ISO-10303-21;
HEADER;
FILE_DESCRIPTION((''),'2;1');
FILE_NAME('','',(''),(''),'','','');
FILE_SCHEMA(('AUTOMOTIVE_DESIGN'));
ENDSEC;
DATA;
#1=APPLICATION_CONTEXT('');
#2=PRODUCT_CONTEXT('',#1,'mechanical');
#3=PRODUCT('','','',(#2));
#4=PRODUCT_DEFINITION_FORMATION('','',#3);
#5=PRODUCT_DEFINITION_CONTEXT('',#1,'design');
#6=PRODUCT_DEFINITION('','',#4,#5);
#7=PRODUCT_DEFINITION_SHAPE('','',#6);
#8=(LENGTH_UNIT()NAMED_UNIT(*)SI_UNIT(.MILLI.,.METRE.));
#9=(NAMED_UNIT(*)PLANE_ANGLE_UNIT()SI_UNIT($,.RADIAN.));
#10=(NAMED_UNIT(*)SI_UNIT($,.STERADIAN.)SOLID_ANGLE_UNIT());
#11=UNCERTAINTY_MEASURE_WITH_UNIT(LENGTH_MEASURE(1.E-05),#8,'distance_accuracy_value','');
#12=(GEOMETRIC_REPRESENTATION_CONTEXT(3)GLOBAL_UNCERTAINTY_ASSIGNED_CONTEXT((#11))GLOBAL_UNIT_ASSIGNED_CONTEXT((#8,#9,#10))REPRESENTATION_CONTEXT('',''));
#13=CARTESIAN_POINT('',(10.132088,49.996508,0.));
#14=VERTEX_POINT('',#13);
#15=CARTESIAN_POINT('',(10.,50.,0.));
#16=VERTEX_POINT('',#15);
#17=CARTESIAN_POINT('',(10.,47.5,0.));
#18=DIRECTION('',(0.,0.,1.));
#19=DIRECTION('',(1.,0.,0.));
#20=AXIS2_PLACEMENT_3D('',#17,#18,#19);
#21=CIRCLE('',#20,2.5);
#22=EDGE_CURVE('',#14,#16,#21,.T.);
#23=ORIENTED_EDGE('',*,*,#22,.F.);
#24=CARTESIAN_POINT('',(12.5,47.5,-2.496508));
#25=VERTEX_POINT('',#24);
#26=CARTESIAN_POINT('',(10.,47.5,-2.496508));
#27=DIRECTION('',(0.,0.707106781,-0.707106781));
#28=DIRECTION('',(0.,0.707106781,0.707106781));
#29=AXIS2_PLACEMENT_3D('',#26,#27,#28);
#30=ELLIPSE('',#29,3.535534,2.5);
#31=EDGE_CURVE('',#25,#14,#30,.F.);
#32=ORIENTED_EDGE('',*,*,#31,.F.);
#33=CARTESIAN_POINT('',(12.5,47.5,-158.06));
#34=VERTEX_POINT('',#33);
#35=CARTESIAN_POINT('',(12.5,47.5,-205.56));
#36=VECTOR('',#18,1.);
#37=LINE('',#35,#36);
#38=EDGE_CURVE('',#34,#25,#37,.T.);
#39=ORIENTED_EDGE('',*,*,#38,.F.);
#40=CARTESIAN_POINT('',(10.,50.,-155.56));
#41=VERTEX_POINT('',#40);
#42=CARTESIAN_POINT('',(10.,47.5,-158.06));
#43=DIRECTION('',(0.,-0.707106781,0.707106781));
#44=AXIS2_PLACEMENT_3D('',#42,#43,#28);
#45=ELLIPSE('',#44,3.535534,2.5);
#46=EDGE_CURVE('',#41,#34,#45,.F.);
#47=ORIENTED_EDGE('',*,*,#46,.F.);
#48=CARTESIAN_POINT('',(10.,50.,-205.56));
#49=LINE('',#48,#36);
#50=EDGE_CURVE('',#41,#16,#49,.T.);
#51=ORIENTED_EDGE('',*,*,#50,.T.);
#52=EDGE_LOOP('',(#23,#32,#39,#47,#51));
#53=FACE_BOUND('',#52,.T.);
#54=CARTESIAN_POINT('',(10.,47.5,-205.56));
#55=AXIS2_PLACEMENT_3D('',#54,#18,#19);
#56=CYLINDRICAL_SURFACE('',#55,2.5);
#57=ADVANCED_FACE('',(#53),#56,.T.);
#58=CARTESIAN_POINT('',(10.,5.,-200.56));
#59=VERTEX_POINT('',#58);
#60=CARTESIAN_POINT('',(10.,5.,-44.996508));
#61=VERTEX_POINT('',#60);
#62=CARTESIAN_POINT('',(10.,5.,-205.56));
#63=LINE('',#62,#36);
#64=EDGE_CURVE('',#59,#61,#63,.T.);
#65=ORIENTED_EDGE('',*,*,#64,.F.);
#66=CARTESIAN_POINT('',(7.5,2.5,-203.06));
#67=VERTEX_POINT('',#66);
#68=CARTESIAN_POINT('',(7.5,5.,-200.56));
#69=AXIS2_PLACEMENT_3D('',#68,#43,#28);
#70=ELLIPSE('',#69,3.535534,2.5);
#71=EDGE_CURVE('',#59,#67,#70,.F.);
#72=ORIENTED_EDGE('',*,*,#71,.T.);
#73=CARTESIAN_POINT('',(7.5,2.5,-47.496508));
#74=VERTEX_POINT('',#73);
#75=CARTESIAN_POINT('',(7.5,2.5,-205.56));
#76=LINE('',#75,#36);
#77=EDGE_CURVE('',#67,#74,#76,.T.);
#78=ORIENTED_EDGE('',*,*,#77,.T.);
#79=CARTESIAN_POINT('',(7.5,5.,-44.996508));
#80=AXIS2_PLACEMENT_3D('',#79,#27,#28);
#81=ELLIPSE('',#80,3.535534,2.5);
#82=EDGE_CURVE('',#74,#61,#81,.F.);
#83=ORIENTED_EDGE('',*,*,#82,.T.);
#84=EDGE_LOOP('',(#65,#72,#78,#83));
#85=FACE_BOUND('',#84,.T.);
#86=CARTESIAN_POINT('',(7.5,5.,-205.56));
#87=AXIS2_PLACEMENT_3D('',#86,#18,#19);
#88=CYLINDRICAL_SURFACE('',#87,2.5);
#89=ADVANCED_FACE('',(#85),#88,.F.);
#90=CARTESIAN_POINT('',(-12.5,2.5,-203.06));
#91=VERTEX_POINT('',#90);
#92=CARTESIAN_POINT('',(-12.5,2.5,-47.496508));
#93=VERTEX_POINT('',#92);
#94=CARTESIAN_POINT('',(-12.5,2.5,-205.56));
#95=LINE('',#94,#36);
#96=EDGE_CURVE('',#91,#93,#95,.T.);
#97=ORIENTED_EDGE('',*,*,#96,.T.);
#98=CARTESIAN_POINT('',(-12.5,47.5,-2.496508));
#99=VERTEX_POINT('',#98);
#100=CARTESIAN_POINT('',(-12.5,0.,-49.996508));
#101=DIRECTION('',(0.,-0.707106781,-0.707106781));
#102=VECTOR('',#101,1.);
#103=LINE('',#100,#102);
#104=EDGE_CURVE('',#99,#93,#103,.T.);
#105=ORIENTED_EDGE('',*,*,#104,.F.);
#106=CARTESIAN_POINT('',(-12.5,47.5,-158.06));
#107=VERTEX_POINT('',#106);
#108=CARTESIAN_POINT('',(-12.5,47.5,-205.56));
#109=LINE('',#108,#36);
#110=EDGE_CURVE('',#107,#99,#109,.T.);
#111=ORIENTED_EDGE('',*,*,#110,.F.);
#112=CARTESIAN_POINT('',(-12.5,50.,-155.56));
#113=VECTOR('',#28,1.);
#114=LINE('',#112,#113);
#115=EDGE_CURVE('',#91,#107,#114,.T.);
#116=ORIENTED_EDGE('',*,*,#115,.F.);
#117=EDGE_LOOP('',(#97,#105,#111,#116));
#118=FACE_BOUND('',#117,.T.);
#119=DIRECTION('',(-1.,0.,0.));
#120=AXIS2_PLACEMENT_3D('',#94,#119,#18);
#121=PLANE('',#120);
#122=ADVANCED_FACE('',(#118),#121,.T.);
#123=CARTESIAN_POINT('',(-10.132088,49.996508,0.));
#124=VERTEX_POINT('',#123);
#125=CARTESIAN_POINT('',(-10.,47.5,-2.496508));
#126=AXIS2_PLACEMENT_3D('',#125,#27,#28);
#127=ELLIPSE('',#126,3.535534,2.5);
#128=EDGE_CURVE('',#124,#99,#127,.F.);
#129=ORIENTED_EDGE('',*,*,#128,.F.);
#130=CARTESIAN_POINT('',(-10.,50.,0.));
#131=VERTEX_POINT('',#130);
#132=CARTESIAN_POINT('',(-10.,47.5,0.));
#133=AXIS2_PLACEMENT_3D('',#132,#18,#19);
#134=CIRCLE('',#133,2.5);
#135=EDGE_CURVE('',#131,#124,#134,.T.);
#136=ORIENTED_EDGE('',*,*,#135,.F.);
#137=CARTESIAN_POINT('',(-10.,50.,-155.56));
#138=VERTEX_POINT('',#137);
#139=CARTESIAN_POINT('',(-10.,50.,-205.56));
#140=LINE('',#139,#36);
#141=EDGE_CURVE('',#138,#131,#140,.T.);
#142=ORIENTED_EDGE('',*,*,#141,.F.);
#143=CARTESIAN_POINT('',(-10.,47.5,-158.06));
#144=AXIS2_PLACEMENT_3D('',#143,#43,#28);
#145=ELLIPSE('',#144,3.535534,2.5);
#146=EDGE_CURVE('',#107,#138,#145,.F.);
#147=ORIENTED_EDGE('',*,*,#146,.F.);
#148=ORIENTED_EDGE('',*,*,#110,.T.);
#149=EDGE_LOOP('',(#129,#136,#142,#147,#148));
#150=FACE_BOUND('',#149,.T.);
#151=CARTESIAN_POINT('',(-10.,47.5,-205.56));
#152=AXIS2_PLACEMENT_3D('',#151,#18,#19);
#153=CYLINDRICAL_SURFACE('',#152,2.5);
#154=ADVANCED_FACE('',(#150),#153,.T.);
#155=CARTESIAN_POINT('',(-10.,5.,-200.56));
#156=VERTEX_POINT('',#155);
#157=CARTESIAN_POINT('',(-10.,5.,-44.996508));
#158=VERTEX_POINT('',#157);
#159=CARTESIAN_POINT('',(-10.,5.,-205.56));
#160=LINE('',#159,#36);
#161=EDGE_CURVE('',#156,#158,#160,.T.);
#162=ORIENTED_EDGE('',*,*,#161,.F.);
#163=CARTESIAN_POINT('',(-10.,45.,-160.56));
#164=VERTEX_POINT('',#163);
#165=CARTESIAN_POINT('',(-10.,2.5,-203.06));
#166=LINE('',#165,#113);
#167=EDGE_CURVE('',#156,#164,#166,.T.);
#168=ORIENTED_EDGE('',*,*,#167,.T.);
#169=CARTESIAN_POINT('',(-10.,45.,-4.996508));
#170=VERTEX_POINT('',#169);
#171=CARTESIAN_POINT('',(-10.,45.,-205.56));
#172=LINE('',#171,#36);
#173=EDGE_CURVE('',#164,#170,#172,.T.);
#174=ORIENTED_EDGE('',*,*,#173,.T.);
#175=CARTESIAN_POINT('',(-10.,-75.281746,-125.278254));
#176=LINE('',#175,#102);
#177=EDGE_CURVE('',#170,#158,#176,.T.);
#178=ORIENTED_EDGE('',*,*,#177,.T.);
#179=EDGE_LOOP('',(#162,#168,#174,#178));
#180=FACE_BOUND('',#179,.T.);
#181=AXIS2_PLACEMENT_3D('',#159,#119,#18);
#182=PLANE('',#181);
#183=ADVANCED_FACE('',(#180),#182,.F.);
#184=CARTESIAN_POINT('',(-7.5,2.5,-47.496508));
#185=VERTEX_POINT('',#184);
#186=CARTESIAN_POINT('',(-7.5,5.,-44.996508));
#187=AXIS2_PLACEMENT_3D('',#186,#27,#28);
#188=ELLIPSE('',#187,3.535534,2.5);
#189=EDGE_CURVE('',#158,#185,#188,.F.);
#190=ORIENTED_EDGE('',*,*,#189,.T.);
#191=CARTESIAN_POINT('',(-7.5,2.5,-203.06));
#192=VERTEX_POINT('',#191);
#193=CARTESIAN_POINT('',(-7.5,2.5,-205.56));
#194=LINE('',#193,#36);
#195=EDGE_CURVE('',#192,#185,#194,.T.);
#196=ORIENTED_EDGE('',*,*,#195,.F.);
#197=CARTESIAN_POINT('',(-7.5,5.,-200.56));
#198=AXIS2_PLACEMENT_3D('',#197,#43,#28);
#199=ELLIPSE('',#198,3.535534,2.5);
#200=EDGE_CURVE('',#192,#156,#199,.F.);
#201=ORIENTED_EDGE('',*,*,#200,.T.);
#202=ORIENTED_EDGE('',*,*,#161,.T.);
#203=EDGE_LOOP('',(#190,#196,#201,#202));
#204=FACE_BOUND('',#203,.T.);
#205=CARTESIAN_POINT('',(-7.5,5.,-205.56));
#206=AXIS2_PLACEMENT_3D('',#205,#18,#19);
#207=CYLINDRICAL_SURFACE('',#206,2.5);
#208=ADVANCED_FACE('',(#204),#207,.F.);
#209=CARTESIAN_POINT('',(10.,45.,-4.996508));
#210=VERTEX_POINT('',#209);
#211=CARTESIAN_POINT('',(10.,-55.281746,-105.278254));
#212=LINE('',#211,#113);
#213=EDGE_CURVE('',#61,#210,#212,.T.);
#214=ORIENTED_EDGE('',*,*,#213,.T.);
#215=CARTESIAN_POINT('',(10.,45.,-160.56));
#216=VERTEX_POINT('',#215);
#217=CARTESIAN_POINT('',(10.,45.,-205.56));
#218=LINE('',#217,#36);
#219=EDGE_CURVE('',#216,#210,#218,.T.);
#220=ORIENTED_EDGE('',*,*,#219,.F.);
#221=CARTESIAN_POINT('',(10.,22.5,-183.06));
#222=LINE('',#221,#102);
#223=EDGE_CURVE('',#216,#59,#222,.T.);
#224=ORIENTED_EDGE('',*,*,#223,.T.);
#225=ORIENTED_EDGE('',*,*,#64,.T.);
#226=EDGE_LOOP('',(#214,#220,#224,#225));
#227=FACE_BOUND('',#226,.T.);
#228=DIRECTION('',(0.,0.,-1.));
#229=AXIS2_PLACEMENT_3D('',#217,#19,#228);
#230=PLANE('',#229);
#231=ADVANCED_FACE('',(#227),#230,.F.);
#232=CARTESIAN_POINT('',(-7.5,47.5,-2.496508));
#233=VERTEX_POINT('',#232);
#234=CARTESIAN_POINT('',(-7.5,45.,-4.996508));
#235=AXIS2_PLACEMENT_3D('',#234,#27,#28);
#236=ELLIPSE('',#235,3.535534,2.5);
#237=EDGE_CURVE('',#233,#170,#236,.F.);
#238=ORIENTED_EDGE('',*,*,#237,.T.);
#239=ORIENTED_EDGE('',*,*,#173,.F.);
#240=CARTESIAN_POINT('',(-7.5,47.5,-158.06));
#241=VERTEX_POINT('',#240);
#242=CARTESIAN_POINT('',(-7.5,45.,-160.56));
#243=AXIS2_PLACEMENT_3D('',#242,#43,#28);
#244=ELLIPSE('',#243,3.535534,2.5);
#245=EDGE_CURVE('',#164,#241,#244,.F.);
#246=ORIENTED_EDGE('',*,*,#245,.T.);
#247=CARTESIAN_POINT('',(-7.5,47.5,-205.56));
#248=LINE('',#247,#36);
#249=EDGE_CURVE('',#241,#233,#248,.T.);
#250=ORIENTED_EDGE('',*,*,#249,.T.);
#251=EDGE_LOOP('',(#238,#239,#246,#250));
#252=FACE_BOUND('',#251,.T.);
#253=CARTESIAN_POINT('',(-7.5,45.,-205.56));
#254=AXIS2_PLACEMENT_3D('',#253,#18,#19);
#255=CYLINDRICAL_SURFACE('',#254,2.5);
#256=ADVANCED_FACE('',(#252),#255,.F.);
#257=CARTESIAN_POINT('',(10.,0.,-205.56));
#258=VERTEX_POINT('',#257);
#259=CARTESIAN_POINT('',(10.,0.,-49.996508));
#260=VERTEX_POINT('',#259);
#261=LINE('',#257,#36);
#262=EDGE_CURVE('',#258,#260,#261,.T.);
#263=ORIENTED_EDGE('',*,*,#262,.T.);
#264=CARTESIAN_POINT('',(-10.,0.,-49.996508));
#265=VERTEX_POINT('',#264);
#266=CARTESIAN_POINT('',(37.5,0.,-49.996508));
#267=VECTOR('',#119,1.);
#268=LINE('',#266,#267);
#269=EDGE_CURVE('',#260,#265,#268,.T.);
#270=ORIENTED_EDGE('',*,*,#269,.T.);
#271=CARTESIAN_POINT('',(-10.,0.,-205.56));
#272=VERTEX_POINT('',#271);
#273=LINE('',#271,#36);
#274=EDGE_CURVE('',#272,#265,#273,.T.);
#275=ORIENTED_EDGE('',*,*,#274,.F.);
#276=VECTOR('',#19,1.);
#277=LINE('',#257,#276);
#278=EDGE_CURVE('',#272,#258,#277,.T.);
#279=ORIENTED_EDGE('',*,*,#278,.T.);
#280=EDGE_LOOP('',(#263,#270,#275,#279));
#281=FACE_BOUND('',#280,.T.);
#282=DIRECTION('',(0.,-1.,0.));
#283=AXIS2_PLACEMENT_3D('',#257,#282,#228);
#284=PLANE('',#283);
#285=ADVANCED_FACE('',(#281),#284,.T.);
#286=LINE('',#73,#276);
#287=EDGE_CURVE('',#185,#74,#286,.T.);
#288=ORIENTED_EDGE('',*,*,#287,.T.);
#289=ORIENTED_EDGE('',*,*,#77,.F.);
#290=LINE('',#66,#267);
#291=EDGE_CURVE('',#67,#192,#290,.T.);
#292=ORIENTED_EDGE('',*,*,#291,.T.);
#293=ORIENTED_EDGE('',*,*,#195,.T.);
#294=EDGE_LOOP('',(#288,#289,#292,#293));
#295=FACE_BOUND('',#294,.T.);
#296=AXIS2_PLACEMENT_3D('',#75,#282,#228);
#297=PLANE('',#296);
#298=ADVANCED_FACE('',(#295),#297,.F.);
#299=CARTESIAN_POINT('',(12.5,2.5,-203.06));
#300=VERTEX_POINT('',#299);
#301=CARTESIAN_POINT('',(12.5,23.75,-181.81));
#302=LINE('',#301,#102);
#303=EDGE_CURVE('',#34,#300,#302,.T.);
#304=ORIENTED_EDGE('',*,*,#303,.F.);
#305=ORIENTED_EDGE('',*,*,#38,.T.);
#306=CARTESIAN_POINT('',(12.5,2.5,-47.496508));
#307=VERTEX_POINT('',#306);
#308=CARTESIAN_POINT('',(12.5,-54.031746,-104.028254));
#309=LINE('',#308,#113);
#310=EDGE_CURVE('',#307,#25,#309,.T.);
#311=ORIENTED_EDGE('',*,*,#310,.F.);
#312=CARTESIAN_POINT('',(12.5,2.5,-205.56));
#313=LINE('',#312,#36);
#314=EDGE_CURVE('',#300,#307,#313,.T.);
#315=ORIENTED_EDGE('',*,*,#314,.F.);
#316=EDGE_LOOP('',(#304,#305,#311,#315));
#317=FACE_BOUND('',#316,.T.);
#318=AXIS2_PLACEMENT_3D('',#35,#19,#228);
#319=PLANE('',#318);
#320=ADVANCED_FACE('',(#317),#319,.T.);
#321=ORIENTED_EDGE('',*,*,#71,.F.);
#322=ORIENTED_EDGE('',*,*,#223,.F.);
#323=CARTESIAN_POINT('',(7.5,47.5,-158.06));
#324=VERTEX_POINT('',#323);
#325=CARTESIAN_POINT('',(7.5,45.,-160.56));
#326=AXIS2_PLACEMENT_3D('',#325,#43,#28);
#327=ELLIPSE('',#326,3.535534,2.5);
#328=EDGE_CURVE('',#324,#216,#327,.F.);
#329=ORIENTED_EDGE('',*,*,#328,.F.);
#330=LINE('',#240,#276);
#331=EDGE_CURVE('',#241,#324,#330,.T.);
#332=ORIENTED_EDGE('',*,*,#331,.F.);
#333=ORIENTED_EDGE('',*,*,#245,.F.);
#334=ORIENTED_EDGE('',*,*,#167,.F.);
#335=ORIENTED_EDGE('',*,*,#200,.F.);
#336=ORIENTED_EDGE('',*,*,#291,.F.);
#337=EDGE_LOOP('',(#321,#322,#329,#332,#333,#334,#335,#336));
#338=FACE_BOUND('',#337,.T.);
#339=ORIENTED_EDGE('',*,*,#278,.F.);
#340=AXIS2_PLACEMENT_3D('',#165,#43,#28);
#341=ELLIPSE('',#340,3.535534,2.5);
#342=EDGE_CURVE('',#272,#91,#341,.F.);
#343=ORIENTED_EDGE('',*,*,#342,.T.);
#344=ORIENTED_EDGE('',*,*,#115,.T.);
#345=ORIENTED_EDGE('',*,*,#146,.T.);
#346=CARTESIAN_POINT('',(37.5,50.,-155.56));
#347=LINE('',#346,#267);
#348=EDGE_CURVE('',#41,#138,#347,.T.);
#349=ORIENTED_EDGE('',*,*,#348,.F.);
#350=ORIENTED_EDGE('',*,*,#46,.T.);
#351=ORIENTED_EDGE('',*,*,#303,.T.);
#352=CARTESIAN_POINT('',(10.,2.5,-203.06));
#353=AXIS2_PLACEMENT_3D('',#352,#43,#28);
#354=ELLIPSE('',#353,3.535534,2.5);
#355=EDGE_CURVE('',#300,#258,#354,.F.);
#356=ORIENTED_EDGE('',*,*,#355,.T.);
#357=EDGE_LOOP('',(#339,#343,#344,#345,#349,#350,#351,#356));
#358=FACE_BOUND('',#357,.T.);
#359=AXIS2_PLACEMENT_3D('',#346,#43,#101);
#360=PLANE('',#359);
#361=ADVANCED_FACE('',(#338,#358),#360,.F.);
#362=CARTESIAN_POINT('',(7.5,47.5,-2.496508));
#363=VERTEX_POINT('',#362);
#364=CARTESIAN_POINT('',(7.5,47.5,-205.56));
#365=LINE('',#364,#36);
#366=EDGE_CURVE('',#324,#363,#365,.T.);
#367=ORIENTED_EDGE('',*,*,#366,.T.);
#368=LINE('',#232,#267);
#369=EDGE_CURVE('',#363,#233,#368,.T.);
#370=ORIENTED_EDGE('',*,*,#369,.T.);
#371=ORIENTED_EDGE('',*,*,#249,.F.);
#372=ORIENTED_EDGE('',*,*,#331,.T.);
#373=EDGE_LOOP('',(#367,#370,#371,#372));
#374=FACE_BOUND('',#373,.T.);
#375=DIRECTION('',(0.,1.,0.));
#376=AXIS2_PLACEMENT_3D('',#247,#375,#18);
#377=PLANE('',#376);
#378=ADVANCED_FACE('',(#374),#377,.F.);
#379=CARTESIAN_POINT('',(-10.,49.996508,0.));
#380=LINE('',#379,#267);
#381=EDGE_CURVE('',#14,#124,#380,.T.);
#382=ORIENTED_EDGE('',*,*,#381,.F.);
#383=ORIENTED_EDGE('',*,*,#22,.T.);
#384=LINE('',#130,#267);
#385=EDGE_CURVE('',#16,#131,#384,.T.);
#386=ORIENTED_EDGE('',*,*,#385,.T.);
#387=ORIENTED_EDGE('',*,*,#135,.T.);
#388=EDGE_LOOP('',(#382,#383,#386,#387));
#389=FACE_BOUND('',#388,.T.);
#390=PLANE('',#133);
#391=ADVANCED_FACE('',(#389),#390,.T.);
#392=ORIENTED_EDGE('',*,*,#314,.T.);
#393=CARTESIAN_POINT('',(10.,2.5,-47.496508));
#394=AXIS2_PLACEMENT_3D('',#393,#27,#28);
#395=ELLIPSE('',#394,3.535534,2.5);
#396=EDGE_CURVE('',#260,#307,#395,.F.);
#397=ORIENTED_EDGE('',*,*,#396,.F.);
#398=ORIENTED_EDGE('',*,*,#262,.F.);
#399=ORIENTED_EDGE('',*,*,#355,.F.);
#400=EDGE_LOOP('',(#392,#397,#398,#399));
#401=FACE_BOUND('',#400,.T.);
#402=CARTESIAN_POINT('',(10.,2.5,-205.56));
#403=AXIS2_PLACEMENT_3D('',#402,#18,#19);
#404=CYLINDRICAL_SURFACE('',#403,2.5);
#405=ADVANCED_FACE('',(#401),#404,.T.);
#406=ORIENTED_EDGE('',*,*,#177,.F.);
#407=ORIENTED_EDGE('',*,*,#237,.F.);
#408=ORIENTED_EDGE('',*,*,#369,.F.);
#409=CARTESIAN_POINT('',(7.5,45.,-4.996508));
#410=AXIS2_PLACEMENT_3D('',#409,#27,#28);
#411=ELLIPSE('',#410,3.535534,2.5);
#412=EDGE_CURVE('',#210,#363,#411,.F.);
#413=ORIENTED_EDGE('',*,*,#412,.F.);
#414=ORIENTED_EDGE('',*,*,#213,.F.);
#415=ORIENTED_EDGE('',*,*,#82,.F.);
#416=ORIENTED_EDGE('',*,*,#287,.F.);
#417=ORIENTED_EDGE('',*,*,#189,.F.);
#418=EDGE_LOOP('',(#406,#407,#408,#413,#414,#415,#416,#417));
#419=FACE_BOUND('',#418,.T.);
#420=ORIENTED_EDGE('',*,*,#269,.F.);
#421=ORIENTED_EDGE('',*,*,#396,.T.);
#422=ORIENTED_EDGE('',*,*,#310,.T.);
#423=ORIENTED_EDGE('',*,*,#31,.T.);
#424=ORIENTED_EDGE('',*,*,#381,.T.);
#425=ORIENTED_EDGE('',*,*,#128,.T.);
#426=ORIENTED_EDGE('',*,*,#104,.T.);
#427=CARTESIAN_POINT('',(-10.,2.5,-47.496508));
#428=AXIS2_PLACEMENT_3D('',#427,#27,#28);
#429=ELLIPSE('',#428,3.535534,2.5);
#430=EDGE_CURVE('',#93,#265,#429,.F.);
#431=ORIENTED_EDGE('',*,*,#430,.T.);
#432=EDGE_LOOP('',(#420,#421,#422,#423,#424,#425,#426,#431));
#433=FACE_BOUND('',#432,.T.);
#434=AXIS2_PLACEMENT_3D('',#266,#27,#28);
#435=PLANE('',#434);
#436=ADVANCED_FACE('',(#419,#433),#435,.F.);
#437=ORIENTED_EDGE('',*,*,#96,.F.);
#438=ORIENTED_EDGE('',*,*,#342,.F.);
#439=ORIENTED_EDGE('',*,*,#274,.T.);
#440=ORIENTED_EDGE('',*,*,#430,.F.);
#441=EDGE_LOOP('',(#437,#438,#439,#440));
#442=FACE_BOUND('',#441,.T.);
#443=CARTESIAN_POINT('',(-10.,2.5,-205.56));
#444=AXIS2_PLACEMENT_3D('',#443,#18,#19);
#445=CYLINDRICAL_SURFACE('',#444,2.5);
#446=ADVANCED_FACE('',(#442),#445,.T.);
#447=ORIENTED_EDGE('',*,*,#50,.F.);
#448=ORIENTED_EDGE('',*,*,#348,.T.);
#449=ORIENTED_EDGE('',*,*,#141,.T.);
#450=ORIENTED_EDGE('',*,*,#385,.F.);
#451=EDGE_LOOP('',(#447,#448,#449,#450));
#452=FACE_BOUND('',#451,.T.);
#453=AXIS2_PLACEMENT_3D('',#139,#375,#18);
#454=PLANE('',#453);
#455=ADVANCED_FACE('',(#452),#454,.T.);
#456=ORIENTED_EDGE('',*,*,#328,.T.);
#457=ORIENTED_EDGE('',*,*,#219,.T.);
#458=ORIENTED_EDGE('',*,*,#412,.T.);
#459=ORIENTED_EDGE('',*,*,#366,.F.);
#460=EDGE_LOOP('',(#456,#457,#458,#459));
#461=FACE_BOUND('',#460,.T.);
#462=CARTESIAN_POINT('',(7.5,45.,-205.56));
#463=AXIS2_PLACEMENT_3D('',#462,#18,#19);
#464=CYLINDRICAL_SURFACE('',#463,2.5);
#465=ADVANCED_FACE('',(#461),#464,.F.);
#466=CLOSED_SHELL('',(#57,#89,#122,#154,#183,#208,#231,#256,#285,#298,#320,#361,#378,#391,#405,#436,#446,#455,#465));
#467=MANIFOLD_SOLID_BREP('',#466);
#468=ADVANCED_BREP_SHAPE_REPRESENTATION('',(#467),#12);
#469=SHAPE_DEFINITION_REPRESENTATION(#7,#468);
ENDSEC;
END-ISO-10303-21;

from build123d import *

# Parameters (mm, degrees)
EXTRUDE_1_DEPTH     = 205.56
CUT_EXTRUDE_1_DEPTH = 50


with BuildPart() as part:
    # Эскиз1 → Бобышка-Вытянуть1 (new body)
    with BuildSketch(Plane.XY):
        with BuildLine():
            Line((-10, 50), (10, 50))
            ThreePointArc((10, 50), (11.767766953, 49.267766953), (12.5, 47.5))
            Line((12.5, 47.5), (12.5, 2.5))
            ThreePointArc((12.5, 2.5), (11.767766953, 0.732233047), (10, 0))
            Line((10, 0), (-10, 0))
            ThreePointArc((-10, 0), (-11.767766953, 0.732233047), (-12.5, 2.5))
            Line((-12.5, 2.5), (-12.5, 47.5))
            ThreePointArc((-12.5, 47.5), (-11.767766953, 49.267766953), (-10, 50))
        make_face()
        with BuildLine():
            Line((-7.5, 47.5), (7.5, 47.5))
            ThreePointArc((7.5, 47.5), (9.267766953, 46.767766953), (10, 45))
            Line((10, 45), (10, 5))
            ThreePointArc((10, 5), (9.267766953, 3.232233047), (7.5, 2.5))
            Line((7.5, 2.5), (-7.5, 2.5))
            ThreePointArc((-7.5, 2.5), (-9.267766953, 3.232233047), (-10, 5))
            Line((-10, 5), (-10, 45))
            ThreePointArc((-10, 45), (-9.267766953, 46.767766953), (-7.5, 47.5))
        make_face(mode=Mode.SUBTRACT)
    extrude(amount=-EXTRUDE_1_DEPTH)

    # Эскиз2 → Вырез-Вытянуть1 (cut)
    with BuildSketch(Plane.ZY.offset(12.5)):
        Polygon((-205.56, 50), (-155.559999999, 50), (-205.56, 0), align=None)
        Polygon((0.003491861, 0), (-49.996508139, 0), (0.003491861, 49.999999999), align=None)
    extrude(amount=-CUT_EXTRUDE_1_DEPTH, mode=Mode.SUBTRACT)


solid = part.part
